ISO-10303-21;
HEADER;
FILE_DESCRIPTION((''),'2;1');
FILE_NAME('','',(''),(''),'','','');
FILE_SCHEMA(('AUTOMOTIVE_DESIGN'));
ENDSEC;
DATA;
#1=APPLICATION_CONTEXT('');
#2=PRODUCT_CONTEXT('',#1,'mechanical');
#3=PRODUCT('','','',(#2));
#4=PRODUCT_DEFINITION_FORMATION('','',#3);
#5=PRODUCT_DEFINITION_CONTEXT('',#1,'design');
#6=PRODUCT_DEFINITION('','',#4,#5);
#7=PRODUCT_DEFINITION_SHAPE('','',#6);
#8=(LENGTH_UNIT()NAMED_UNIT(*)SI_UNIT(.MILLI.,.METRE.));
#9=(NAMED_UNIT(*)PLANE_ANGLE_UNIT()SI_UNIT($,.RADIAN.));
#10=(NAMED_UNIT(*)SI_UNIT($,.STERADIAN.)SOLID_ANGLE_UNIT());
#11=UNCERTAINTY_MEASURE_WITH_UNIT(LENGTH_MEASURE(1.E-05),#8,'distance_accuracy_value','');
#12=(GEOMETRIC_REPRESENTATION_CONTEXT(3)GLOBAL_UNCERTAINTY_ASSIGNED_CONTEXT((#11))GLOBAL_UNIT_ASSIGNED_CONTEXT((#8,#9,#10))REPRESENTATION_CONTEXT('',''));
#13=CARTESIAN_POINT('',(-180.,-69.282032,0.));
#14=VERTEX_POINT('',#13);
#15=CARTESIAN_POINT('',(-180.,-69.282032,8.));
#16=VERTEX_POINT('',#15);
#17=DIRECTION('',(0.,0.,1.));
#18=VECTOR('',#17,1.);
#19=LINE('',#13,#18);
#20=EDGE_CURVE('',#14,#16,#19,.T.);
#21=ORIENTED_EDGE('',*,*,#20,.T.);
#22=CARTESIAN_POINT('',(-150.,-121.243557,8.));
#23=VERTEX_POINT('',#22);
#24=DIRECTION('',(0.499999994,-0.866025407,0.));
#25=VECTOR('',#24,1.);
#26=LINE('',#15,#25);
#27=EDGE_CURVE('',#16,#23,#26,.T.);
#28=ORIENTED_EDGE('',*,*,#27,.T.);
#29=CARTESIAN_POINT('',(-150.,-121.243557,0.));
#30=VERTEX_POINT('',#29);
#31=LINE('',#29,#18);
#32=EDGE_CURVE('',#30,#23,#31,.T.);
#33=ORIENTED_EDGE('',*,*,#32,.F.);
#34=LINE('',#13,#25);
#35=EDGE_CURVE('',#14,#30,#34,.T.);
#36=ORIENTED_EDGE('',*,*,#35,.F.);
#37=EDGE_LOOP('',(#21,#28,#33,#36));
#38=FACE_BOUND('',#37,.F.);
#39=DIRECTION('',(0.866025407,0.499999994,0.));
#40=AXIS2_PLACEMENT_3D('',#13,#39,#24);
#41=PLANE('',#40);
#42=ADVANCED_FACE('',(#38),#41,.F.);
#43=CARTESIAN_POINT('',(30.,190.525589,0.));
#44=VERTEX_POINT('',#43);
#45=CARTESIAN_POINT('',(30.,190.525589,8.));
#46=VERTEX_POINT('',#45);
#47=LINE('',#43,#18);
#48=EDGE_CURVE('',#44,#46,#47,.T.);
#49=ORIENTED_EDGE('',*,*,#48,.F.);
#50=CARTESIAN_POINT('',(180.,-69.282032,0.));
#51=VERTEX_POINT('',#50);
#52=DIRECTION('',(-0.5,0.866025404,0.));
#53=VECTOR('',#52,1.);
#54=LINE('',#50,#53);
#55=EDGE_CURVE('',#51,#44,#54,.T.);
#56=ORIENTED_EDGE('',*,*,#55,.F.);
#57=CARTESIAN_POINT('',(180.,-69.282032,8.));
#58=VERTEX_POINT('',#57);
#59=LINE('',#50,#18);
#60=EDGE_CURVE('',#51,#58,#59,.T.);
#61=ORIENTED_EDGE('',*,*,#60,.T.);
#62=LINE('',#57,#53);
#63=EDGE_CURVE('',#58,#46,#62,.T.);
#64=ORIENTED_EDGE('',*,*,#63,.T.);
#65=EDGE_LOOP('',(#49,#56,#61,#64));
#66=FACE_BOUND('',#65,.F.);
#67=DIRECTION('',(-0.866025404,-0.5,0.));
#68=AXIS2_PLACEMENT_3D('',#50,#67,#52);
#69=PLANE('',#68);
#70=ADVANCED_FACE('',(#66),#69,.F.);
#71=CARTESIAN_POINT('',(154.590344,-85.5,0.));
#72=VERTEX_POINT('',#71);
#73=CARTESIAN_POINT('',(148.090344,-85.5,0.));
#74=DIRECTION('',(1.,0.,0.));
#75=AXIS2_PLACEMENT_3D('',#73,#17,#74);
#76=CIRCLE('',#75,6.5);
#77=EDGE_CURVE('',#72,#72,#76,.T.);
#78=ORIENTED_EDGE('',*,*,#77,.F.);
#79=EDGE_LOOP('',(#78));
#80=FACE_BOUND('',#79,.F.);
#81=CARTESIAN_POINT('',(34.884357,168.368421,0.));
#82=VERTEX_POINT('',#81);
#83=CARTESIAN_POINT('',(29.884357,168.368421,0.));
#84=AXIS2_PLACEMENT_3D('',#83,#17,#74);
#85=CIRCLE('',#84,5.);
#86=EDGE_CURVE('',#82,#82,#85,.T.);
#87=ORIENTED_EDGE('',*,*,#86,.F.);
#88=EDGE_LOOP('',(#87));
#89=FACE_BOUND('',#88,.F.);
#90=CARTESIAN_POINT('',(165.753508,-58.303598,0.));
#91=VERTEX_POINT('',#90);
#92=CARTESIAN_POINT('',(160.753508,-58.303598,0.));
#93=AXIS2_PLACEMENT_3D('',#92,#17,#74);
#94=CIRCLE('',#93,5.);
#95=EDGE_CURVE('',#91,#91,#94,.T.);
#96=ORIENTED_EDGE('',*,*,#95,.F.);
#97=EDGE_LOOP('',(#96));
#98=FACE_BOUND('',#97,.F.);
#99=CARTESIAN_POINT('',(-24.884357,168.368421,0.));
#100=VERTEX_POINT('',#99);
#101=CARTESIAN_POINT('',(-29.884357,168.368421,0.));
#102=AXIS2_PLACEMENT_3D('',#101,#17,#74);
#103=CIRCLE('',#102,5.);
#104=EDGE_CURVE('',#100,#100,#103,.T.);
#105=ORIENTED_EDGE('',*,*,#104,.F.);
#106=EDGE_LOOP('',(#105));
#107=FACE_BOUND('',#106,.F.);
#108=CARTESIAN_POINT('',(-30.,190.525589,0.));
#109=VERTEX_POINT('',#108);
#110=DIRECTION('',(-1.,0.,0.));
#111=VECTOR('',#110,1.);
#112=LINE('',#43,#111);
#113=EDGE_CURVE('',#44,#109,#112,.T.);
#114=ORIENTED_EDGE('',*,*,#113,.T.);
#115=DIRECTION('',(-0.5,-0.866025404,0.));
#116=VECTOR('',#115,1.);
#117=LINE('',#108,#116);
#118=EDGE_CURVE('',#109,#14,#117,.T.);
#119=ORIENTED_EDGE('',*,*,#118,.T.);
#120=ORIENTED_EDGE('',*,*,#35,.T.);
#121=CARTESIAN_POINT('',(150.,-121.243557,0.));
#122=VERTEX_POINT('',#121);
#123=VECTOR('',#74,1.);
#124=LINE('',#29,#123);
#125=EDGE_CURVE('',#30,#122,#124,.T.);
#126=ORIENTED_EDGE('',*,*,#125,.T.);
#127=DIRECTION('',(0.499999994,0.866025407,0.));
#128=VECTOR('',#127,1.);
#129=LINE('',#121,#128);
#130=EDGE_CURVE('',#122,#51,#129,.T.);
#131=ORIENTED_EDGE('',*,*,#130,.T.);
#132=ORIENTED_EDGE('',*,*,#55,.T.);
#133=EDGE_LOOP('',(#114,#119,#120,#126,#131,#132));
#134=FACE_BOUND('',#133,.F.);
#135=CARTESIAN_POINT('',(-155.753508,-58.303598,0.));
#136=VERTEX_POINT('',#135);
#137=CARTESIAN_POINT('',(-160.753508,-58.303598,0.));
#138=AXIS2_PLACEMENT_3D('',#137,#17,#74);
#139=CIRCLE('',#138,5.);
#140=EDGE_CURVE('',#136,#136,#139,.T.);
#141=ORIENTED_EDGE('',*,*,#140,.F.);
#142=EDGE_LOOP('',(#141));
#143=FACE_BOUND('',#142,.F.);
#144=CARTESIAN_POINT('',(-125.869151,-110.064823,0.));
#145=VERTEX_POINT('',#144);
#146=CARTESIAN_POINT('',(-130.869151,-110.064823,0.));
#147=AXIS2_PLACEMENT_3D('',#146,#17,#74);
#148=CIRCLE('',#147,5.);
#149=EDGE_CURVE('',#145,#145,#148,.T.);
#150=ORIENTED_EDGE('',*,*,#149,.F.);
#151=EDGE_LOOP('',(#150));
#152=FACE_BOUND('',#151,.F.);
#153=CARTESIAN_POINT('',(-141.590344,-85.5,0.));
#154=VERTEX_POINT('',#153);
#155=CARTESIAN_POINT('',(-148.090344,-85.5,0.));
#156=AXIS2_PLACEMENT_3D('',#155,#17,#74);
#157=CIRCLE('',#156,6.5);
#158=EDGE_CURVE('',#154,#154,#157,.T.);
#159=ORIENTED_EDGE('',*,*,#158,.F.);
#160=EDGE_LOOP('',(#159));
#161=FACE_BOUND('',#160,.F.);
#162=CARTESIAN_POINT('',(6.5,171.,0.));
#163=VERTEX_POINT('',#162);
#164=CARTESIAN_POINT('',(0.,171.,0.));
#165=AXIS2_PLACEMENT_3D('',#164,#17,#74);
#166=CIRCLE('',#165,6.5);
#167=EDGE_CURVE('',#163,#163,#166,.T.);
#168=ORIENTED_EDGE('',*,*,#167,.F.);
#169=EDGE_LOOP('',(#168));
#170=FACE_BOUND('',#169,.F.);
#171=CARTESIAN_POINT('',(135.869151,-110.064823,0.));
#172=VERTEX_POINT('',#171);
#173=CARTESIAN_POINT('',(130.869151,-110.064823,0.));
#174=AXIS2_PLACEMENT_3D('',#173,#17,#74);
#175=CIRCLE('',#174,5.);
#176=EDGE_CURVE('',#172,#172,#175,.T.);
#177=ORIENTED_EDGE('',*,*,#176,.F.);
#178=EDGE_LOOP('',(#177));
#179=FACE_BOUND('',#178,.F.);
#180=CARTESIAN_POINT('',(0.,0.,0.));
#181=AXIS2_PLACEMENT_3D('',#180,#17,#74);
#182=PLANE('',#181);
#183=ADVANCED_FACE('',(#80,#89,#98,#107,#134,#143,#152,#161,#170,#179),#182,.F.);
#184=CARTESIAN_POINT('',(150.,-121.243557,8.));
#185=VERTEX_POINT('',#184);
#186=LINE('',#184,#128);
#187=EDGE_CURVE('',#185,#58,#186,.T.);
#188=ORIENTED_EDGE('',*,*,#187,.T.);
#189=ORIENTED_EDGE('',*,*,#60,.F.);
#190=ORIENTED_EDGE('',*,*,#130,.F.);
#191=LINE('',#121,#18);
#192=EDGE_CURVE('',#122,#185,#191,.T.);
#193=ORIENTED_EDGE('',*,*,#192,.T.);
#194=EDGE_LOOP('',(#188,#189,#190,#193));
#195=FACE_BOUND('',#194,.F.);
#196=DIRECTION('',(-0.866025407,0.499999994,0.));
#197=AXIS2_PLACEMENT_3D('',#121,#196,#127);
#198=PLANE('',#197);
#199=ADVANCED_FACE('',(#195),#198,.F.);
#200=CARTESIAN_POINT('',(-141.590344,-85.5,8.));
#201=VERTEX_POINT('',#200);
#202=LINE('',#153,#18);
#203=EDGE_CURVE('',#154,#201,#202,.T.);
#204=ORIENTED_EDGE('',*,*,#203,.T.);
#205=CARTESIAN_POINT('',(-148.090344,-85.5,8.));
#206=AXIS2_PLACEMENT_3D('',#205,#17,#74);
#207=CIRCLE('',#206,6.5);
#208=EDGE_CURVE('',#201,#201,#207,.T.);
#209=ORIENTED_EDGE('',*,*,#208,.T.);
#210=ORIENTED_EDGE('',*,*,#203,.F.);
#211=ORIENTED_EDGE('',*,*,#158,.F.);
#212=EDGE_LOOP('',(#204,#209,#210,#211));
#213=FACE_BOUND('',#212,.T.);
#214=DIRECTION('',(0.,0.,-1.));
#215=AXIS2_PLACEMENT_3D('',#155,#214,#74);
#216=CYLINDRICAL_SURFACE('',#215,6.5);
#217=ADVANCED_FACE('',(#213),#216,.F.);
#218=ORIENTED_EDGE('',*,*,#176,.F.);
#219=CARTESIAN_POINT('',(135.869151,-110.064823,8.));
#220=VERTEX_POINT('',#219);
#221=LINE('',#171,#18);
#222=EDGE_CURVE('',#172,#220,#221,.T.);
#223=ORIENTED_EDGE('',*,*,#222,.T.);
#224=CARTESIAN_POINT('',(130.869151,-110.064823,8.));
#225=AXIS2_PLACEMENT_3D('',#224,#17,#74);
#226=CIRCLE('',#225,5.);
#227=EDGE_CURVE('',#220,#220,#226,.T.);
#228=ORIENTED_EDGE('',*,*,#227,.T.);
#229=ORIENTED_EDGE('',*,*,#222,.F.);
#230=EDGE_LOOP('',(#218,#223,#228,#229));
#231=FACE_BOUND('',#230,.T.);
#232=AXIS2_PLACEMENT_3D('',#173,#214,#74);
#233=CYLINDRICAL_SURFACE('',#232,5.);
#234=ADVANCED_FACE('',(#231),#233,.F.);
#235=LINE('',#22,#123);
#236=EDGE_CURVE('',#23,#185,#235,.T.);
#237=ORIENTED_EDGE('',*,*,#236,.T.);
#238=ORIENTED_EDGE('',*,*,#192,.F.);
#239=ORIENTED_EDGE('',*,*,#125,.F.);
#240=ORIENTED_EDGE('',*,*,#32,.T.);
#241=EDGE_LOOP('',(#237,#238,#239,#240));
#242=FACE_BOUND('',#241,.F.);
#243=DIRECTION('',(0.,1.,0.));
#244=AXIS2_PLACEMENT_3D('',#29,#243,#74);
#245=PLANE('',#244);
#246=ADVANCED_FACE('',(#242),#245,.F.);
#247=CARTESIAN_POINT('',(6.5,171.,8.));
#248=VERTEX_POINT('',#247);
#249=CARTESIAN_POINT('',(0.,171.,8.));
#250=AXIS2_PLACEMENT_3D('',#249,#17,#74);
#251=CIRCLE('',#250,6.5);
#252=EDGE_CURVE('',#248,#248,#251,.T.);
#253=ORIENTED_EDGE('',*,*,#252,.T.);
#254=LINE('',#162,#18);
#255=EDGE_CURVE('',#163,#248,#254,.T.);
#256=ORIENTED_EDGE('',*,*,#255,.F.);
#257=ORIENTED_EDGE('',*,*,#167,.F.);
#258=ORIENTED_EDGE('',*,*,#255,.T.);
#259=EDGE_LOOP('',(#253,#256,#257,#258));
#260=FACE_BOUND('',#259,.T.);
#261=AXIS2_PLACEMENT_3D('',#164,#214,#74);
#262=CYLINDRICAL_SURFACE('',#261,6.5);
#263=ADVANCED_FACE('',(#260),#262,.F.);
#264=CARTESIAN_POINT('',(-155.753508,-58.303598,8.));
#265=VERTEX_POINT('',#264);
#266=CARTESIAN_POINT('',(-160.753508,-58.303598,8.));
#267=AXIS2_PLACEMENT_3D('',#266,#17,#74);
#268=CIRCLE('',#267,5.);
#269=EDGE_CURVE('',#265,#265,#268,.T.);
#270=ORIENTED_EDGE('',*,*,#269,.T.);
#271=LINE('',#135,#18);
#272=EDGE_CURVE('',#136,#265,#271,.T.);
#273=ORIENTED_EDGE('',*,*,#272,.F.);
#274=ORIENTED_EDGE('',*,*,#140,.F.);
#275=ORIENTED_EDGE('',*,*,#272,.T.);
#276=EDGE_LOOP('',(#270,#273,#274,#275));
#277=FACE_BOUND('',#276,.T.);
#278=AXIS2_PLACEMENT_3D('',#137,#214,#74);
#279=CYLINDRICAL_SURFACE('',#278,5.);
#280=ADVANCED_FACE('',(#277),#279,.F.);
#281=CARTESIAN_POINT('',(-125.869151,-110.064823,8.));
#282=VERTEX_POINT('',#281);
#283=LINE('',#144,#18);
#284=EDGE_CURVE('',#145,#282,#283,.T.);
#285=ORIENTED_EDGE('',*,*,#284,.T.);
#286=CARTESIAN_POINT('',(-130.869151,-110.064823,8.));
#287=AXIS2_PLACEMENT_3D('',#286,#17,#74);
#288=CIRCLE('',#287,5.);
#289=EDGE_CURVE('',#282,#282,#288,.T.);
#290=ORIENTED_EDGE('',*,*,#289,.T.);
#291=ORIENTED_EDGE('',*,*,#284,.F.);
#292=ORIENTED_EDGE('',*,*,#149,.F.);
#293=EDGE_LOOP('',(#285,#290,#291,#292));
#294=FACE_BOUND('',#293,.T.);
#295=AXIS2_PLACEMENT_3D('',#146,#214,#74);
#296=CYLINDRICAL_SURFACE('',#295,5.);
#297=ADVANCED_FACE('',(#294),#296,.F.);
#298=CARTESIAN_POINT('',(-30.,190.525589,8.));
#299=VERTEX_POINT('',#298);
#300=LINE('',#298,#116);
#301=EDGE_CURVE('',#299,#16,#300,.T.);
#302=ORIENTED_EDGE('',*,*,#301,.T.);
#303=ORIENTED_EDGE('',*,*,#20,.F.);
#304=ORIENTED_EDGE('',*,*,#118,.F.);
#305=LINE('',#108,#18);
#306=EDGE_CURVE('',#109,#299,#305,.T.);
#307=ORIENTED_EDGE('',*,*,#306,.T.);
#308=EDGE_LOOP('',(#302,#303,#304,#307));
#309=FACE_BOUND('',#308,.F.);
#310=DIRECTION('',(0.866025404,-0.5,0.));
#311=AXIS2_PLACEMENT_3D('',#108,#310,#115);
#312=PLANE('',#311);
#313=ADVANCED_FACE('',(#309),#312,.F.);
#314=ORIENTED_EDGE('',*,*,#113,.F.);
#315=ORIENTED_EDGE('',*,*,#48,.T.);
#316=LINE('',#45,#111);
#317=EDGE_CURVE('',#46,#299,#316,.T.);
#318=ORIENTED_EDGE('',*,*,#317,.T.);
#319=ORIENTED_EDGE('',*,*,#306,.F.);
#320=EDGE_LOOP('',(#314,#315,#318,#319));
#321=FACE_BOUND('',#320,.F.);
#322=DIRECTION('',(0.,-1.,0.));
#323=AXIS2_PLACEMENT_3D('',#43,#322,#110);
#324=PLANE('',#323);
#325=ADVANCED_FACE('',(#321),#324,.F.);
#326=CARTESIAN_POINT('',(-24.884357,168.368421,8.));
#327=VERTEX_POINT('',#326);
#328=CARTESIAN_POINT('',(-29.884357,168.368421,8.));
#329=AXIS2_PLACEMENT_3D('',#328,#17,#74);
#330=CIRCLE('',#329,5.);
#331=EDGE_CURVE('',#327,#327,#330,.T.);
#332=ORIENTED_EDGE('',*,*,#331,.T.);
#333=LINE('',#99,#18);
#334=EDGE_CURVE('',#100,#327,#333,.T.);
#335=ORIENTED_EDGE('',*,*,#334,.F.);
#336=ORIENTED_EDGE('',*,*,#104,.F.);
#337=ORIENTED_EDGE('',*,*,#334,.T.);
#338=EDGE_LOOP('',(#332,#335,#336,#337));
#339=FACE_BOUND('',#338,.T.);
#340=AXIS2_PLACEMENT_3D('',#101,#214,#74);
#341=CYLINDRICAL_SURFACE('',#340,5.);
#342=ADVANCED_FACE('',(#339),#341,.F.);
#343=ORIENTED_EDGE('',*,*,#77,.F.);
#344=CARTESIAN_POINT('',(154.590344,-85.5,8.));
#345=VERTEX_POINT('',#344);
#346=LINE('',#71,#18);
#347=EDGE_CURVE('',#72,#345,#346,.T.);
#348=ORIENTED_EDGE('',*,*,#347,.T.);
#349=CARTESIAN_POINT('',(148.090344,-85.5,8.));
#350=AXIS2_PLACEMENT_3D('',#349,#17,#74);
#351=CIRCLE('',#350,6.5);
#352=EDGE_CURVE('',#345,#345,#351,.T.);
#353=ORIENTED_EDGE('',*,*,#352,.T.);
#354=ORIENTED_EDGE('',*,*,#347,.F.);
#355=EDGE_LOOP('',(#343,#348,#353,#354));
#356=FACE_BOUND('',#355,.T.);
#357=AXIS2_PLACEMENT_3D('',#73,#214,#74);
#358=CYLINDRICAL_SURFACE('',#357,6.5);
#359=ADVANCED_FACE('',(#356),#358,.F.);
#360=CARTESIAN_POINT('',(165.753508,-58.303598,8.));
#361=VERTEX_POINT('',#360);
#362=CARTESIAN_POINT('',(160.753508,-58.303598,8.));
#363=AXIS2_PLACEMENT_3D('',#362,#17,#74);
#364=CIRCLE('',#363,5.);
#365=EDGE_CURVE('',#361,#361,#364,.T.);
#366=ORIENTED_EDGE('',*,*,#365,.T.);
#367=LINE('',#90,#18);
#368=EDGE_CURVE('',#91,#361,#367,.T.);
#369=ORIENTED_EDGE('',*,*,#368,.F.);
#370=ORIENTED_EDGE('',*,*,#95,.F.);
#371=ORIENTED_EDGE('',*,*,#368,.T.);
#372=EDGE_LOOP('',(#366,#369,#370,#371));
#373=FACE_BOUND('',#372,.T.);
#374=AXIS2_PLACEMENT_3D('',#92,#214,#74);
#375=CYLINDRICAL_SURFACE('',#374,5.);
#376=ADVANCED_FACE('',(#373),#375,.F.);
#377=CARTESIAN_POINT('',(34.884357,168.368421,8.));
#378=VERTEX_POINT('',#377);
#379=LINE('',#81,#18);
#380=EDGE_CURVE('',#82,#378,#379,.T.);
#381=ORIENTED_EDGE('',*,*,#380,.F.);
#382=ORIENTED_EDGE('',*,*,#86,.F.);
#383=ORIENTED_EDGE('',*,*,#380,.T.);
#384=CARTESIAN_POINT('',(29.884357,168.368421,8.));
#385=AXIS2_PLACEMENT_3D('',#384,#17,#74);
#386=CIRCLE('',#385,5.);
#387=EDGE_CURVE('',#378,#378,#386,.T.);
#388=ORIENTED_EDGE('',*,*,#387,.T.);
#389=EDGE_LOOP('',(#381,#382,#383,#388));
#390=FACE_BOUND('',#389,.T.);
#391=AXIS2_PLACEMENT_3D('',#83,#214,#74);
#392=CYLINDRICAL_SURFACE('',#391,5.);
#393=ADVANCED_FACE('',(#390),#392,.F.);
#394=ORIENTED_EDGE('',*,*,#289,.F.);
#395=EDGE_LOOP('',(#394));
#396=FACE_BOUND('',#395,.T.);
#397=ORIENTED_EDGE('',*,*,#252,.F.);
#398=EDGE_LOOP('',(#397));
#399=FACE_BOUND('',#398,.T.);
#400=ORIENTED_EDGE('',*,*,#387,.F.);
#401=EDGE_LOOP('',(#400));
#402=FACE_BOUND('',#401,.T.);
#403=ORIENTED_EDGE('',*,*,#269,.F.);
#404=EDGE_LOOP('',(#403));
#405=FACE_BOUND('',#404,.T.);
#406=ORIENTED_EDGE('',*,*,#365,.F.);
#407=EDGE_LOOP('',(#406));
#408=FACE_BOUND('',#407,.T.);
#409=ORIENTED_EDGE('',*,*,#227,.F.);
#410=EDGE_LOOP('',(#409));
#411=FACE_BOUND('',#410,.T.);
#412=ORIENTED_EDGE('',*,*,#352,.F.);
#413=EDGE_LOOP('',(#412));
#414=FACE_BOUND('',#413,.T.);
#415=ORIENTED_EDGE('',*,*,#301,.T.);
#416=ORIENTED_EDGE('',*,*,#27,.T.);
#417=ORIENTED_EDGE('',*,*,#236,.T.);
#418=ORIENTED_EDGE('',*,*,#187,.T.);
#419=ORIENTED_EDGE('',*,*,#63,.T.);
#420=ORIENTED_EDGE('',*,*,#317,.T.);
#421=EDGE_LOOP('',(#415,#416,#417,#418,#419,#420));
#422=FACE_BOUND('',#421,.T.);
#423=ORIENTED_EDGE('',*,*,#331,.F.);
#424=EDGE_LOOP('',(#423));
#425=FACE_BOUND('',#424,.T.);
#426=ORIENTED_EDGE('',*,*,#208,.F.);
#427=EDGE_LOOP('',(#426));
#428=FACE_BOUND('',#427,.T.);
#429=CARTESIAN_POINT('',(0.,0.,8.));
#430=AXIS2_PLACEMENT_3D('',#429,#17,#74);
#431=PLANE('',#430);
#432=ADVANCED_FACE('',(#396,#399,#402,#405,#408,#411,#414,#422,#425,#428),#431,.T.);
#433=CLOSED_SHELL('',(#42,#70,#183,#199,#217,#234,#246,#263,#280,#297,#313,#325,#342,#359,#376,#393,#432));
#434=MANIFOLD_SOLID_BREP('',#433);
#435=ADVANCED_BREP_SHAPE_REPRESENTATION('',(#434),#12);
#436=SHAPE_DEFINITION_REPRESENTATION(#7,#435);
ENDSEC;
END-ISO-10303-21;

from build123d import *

# Parameters (mm, degrees)
F0_R     = 6.5
F0_R_2   = 5
F1_DEPTH = 8


with BuildPart() as f1:
    # F0 (on Top) → F1 (new body)
    with BuildSketch(Plane.XY):
        Polygon((-30, 190.525589), (-180, -69.282032), (-150, -121.243557), (150, -121.243557), (180, -69.282032), (30, 190.525589), align=None)
        with Locations((-148.090344, -85.5)):
            Circle(F0_R, mode=Mode.SUBTRACT)
        with Locations((-130.869151, -110.064823)):
            Circle(F0_R_2, mode=Mode.SUBTRACT)
        with Locations((-160.753508, -58.303598)):
            Circle(F0_R_2, mode=Mode.SUBTRACT)
        with Locations((130.869151, -110.064823)):
            Circle(F0_R_2, mode=Mode.SUBTRACT)
        with Locations((148.090344, -85.5)):
            Circle(F0_R, mode=Mode.SUBTRACT)
        with Locations((160.753508, -58.303598)):
            Circle(F0_R_2, mode=Mode.SUBTRACT)
        with Locations((-29.884357, 168.368421)):
            Circle(F0_R_2, mode=Mode.SUBTRACT)
        with Locations((0, 171)):
            Circle(F0_R, mode=Mode.SUBTRACT)
        with Locations((29.884357, 168.368421)):
            Circle(F0_R_2, mode=Mode.SUBTRACT)
    extrude(amount=F1_DEPTH)


solid = f1.part
